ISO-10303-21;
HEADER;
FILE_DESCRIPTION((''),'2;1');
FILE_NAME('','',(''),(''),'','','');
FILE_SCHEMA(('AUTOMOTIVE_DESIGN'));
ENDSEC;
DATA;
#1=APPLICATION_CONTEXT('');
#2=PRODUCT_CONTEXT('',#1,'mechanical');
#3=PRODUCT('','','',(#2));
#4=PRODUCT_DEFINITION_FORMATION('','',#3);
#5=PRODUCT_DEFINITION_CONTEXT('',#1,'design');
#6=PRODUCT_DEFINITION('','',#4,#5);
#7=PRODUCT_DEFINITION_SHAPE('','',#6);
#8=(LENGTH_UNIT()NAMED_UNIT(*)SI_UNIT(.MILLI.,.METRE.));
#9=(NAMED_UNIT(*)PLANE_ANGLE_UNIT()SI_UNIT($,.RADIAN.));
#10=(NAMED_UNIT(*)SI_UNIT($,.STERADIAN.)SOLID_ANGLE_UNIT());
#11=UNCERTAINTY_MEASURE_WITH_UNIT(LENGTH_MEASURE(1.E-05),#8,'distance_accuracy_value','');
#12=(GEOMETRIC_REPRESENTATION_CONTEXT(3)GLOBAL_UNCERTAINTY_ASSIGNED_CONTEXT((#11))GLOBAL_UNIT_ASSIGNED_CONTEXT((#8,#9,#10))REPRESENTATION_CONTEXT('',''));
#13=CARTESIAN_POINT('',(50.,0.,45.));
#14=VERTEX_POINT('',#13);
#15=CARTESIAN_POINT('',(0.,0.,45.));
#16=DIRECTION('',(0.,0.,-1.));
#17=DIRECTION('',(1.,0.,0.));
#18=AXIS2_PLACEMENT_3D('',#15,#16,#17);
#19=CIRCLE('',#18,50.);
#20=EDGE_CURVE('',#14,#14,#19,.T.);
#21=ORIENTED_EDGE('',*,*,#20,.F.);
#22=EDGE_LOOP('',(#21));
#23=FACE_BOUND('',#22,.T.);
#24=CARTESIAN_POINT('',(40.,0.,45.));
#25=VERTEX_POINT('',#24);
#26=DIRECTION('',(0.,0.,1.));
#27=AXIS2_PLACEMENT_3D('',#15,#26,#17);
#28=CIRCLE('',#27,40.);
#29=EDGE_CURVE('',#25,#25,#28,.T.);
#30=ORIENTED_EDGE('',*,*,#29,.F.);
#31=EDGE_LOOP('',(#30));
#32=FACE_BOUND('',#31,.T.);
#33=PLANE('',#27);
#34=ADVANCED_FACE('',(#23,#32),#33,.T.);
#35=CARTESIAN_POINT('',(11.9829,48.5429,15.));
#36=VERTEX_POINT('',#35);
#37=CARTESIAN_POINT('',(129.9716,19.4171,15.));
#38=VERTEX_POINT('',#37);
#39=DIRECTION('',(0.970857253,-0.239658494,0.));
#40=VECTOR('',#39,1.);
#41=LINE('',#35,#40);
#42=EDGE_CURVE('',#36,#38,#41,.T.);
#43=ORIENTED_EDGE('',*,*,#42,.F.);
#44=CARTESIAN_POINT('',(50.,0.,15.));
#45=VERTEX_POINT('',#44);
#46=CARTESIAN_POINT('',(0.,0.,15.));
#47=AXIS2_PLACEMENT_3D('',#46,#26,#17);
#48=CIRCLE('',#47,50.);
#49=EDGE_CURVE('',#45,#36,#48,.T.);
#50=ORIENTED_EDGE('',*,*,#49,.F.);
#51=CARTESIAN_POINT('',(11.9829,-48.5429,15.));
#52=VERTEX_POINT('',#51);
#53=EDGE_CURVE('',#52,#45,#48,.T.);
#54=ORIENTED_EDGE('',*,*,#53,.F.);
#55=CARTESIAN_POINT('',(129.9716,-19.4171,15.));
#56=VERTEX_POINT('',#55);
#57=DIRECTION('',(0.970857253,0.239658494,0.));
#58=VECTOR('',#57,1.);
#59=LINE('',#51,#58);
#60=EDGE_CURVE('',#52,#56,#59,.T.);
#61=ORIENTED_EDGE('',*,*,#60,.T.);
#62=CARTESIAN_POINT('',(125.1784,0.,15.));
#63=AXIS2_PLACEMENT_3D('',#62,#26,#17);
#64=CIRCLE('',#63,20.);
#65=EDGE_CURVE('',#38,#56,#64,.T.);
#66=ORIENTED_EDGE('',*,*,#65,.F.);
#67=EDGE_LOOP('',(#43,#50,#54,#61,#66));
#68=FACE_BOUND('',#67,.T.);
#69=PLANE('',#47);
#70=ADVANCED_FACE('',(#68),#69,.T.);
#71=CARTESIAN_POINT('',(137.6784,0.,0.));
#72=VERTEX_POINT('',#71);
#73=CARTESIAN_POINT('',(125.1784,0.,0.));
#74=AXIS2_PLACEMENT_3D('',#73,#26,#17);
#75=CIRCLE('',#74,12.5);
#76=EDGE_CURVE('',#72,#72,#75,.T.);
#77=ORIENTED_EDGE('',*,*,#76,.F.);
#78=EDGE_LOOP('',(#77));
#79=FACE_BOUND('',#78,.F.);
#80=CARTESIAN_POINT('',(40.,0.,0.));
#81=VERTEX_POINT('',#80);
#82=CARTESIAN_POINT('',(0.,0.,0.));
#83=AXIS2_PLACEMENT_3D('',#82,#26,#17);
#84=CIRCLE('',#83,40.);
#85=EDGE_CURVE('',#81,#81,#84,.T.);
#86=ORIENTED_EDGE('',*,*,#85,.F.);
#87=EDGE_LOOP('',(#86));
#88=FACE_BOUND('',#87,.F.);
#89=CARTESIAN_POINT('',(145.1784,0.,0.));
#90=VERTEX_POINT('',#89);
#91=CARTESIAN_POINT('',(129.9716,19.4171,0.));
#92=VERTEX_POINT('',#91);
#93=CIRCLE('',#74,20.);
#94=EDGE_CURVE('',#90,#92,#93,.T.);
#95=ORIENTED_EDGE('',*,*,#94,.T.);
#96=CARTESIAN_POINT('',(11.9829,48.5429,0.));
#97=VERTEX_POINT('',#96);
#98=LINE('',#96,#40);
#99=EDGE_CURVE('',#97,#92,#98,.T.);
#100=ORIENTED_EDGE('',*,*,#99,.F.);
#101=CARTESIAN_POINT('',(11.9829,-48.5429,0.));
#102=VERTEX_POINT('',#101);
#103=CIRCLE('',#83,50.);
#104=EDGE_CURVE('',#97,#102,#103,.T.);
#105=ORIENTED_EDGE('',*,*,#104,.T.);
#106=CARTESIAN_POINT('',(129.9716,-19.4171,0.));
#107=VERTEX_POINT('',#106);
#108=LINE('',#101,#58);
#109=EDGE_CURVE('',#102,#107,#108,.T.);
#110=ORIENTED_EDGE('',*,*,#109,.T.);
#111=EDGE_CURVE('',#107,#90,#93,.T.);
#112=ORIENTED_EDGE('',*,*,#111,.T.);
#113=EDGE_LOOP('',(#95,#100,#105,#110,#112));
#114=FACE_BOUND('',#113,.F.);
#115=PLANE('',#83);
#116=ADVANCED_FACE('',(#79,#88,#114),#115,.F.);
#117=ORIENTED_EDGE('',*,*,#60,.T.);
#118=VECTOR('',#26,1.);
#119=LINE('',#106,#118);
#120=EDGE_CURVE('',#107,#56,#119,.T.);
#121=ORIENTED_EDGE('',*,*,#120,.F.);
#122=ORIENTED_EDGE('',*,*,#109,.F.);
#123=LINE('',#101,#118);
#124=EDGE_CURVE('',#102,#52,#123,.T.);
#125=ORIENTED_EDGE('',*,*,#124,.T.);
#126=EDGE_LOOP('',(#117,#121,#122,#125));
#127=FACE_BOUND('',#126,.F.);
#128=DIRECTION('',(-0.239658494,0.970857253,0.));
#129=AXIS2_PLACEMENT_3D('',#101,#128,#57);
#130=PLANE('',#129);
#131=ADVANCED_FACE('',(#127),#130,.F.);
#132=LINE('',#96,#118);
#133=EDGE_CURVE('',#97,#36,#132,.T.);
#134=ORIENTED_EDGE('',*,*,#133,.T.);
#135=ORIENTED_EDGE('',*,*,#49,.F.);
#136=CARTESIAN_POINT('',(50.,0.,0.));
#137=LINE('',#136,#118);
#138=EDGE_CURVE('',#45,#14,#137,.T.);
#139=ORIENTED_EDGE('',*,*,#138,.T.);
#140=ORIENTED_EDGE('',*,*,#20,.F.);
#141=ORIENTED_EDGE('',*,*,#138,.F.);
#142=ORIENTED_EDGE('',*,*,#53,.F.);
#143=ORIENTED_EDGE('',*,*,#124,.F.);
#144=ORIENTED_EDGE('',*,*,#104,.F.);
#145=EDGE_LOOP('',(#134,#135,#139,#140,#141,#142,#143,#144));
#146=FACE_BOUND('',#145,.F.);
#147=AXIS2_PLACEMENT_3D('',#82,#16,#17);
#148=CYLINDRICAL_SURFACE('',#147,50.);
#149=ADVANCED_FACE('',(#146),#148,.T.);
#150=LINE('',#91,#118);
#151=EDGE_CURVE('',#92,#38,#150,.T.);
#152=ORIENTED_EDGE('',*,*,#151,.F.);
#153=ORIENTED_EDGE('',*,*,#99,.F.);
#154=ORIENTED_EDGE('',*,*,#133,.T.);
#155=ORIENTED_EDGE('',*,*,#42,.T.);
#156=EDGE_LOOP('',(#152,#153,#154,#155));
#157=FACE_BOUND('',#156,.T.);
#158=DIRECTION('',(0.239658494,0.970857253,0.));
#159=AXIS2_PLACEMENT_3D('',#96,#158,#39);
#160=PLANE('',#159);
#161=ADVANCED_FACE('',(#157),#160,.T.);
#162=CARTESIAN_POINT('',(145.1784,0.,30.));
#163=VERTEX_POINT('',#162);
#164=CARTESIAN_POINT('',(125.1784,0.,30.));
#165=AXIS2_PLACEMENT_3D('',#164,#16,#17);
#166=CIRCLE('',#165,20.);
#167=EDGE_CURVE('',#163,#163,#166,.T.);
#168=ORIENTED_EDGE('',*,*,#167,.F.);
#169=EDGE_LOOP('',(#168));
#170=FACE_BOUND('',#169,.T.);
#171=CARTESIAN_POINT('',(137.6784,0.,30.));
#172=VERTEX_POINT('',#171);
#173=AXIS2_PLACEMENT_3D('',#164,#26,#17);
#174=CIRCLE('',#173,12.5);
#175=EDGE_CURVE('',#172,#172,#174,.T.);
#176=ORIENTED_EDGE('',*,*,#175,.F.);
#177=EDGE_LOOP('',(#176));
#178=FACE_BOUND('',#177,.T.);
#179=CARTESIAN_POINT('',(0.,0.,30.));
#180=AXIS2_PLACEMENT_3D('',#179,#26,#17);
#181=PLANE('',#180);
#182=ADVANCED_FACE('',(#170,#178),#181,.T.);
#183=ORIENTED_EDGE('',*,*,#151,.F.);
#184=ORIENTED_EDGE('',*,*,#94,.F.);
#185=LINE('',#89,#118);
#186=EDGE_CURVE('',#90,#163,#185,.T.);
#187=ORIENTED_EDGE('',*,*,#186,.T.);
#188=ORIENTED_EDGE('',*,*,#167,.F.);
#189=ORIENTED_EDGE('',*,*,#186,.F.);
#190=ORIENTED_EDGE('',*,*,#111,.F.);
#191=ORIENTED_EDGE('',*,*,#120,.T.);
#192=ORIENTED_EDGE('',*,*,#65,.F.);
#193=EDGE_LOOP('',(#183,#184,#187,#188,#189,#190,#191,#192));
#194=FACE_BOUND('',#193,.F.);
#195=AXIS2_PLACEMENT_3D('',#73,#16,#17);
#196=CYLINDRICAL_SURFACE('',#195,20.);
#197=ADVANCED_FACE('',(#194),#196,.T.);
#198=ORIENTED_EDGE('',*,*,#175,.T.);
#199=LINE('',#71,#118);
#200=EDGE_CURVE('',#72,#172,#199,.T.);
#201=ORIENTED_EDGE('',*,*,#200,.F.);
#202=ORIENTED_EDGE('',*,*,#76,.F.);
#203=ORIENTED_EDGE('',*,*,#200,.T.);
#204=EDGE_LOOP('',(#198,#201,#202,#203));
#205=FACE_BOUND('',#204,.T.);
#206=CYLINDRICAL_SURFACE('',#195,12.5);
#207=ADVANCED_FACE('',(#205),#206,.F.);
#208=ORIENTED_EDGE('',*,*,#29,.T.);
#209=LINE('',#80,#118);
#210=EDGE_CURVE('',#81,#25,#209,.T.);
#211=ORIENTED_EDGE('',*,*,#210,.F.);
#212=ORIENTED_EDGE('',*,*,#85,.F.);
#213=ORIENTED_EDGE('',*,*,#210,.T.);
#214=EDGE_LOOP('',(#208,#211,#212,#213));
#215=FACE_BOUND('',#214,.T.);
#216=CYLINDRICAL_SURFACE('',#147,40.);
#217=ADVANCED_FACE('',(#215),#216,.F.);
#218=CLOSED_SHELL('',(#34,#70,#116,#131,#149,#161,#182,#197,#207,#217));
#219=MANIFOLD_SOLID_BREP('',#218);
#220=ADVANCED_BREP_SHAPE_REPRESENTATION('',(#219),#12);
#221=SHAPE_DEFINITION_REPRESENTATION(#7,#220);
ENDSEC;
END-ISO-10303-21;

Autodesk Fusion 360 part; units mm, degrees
sketch "스케치1" plane through (0, 0, 0) normal (0, 0, 1) x (1, 0, 0)
  circle A0 centre (0, 0) radius 50
  circle A1 centre (125.1784, 0) radius 20
  line L0 (11.9829, 48.5429) -> (129.9716, 19.4171)
  line L1 (11.9829, -48.5429) -> (129.9716, -19.4171)
  circle A2 centre (0, 0) radius 40
  circle A3 centre (125.1784, 0) radius 12.5
  dimension "d1" = 100
  dimension "d2" = 40
  dimension "d3" = 80
  dimension "d4" = 25
extrude "돌출4" add sketch "스케치1" along normal blind 45 contours A0 makes body 1
extrude "돌출5" add sketch "스케치1" along normal blind 30 separate body contours A1 makes body 2
extrude "돌출6" add sketch "스케치1" along normal blind 15 contours A0 A1 L0 L1 bodies 1 2
